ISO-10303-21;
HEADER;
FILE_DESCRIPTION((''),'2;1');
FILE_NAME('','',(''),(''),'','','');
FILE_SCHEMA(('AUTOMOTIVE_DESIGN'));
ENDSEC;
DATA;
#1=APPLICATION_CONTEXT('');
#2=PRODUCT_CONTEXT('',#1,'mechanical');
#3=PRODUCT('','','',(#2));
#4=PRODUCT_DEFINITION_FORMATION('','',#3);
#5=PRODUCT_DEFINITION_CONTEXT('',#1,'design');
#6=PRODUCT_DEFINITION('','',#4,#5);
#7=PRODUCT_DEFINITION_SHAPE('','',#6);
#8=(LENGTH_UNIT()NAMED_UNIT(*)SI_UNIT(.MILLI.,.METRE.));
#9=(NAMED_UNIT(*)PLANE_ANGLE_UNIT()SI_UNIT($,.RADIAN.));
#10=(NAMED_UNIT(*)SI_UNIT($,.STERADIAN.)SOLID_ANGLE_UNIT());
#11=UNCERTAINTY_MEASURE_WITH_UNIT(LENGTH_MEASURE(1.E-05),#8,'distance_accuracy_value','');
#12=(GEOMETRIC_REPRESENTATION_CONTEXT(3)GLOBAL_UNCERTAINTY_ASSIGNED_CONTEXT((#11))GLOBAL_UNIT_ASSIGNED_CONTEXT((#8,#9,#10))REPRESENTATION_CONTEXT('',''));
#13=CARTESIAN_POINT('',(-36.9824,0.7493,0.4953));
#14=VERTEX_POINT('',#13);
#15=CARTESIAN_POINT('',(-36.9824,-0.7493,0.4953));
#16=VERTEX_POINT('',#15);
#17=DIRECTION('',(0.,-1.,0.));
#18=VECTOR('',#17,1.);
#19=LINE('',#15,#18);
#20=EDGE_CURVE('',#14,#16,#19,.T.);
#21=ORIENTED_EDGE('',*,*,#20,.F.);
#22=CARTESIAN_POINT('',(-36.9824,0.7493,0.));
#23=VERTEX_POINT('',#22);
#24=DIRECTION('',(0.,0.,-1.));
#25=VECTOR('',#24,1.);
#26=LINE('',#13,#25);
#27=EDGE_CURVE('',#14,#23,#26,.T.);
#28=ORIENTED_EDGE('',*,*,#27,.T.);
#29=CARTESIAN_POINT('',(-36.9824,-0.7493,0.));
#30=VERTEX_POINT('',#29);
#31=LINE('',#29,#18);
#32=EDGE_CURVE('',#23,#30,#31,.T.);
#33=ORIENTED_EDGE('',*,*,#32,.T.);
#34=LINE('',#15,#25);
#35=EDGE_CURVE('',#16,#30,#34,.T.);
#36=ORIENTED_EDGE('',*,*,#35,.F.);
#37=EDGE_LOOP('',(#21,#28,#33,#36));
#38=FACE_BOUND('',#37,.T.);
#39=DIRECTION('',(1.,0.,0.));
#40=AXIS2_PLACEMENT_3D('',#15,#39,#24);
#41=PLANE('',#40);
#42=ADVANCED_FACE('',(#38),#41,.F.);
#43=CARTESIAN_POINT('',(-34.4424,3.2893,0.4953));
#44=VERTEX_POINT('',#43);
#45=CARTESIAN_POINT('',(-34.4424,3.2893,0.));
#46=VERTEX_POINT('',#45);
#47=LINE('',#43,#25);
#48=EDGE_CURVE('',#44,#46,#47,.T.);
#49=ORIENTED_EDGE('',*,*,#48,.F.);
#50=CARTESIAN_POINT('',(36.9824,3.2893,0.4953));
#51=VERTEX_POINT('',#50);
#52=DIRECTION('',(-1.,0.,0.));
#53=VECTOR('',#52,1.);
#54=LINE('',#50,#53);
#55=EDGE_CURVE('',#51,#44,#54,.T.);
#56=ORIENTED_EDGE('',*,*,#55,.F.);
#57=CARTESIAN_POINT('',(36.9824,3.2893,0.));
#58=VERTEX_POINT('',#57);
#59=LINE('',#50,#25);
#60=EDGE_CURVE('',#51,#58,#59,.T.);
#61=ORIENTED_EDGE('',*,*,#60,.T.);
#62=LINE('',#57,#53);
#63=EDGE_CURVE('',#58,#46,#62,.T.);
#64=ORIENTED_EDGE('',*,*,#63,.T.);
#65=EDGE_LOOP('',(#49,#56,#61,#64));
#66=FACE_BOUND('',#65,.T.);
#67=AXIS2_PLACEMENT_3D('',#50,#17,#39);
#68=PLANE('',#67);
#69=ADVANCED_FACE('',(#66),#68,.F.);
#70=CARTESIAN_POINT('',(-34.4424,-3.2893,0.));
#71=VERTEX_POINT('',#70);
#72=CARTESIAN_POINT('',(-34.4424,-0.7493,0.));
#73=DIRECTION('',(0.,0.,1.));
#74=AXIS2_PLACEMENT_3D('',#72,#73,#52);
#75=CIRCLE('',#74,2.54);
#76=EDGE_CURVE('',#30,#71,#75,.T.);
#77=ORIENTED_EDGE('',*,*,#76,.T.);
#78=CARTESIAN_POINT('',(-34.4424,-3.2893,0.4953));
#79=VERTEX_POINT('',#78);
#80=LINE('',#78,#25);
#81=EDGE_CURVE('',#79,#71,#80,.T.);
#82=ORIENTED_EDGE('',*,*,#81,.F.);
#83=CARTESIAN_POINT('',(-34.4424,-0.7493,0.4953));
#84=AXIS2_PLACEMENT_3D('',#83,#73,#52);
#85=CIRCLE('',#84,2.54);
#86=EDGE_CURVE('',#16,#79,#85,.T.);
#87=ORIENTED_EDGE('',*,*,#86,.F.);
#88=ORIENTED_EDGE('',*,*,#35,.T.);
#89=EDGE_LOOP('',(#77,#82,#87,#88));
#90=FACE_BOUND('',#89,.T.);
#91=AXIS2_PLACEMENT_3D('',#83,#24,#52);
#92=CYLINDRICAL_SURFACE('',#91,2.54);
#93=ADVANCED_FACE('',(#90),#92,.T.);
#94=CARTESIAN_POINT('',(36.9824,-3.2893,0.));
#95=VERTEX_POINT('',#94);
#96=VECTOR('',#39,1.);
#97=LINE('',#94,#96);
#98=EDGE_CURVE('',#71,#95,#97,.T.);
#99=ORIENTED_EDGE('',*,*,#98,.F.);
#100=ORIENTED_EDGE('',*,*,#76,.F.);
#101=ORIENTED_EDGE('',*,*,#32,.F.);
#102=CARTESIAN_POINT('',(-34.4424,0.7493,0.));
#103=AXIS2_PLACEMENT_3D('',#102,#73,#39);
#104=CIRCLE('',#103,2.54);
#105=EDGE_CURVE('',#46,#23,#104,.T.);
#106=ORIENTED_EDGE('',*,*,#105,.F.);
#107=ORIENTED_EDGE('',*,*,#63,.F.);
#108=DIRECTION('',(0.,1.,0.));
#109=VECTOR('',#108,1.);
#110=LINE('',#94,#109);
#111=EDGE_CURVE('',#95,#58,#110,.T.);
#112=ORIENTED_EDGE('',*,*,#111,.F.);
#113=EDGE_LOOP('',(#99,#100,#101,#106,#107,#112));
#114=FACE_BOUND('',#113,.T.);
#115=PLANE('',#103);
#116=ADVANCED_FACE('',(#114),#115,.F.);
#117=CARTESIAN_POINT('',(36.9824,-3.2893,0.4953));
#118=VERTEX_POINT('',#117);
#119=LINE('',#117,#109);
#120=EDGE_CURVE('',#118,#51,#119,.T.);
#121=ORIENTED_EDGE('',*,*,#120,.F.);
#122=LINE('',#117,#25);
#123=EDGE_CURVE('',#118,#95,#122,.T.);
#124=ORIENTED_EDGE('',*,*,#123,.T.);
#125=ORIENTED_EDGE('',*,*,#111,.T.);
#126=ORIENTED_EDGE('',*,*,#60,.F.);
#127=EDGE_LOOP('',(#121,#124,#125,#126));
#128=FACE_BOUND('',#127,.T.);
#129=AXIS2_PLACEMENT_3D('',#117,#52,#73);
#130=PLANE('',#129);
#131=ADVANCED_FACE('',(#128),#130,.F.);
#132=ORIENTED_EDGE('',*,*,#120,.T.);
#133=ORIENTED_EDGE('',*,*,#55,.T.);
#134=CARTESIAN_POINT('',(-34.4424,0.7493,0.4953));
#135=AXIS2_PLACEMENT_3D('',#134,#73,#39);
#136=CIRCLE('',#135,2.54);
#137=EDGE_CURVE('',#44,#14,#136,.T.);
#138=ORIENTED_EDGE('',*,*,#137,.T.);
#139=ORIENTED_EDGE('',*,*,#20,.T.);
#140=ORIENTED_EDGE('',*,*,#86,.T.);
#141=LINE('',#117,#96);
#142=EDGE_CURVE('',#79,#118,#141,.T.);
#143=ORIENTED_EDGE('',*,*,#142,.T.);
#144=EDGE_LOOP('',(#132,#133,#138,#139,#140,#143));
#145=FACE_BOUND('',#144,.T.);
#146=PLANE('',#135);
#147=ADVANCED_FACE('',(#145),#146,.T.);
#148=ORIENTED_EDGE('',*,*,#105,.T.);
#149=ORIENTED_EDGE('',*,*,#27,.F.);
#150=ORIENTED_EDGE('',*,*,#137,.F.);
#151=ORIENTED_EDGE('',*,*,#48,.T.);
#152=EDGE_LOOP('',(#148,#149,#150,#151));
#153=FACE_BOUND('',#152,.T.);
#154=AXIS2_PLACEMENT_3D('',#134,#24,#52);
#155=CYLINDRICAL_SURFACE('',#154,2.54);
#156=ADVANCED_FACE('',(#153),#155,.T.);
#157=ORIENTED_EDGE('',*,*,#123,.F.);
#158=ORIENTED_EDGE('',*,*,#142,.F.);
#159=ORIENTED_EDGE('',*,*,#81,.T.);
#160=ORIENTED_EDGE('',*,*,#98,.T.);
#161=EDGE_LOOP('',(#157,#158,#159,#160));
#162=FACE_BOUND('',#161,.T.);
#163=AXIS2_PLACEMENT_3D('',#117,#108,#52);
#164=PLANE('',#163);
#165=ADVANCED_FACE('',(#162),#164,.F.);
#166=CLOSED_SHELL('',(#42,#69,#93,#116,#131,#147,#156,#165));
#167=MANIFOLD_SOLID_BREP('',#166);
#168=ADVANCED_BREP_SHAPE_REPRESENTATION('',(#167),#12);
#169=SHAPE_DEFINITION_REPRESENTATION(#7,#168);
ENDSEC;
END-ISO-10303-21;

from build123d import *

# Parameters (mm, degrees)
BOSS_EXTRUDE1_DEPTH = 0.4953


with BuildPart() as part:
    # Sketch1 → Boss-Extrude1 (new body)
    with BuildSketch(Plane.XY):
        with BuildLine():
            Line((36.9824, -3.2893), (-34.4424, -3.2893))
            ThreePointArc((-34.4424, -3.2893), (-36.238451224, -2.545351224), (-36.9824, -0.7493))
            Line((-36.9824, -0.7493), (-36.9824, 0.7493))
            ThreePointArc((-36.9824, 0.7493), (-36.238451224, 2.545351224), (-34.4424, 3.2893))
            Line((-34.4424, 3.2893), (36.9824, 3.2893))
            Line((36.9824, 3.2893), (36.9824, -3.2893))
        make_face()
    extrude(amount=BOSS_EXTRUDE1_DEPTH)


solid = part.part
